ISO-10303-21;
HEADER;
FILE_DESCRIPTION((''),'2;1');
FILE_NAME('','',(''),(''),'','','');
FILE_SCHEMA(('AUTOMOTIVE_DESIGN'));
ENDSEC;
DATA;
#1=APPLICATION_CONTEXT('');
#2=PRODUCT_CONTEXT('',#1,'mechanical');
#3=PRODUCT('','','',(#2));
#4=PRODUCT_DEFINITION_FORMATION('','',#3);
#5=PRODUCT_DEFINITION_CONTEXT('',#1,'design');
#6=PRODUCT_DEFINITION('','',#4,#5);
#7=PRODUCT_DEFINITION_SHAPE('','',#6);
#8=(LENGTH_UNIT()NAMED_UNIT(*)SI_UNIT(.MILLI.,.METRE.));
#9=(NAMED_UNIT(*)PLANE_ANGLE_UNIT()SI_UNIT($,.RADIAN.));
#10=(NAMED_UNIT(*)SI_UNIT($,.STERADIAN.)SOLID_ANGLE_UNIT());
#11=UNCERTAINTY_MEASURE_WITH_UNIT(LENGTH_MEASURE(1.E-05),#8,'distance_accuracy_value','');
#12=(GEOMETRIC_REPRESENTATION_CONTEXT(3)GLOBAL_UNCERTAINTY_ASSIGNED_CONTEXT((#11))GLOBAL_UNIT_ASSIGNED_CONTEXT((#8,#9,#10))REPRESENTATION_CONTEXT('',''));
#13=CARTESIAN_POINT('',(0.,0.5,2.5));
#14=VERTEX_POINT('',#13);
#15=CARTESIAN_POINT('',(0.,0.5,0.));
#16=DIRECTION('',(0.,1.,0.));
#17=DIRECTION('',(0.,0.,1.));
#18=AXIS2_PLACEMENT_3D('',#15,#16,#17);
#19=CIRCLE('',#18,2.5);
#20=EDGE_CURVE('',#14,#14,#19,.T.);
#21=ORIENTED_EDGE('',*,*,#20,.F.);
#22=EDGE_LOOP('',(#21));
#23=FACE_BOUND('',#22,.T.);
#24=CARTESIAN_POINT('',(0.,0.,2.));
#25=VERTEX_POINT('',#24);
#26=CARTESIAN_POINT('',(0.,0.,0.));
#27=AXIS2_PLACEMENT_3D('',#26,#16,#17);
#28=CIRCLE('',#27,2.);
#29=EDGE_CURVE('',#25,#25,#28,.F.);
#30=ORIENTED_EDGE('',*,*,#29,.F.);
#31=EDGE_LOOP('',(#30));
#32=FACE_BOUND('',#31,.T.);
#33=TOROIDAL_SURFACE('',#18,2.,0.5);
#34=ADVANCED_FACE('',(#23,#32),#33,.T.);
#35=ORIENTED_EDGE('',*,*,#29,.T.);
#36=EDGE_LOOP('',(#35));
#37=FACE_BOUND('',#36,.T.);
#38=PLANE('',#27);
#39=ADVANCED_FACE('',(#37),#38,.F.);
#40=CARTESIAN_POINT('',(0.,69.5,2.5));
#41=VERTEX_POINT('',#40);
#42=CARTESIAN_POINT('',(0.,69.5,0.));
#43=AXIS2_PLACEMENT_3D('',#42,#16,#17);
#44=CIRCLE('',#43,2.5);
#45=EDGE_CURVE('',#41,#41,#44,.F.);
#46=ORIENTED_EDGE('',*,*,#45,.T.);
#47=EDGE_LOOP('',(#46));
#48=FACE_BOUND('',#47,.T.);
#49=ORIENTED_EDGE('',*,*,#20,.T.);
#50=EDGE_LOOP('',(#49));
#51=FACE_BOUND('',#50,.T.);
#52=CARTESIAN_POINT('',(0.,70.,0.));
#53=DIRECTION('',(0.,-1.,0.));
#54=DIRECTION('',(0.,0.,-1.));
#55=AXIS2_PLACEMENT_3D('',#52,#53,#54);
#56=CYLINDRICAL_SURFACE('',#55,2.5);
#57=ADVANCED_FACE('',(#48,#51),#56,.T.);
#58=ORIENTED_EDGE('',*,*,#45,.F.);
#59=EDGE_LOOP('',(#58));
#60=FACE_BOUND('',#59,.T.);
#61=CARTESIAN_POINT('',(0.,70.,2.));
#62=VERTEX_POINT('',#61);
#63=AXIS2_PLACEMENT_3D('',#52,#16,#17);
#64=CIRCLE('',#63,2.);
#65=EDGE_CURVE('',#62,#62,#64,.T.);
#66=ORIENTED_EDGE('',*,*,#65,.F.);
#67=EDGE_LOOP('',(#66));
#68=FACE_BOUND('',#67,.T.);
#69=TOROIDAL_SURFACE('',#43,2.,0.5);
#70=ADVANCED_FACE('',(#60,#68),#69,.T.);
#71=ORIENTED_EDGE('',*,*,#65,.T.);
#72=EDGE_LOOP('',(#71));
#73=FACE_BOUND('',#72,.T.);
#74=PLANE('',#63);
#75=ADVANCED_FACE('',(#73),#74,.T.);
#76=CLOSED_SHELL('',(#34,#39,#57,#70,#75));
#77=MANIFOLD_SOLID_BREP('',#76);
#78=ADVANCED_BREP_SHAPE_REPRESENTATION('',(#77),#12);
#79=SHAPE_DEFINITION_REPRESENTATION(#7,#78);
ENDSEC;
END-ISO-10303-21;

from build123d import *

# Parameters (mm, degrees)
SKETCH_2_R      = 2.5
EXTRUDE_1_DEPTH = 70
FILLET_4_R      = 0.5
FILLET_5_R      = 0.5


with BuildPart() as part:
    # 草图2 → 凸台-拉伸1 (new body)
    with BuildSketch(Plane(origin=(0, 0, 0), x_dir=(1, 0, 0), z_dir=(0, 1, 0))):
        with Locations(Location((0, 0, 0), (0, 0, 270))):
            Circle(SKETCH_2_R)
    extrude(amount=EXTRUDE_1_DEPTH)

    # 圆角4
    fillet_4_edges = [part.edges().sort_by_distance(p)[0] for p in [
        (0, 0, -2.5),
    ]]
    fillet(fillet_4_edges, radius=FILLET_4_R)

    # 圆角5
    fillet_5_edges = [part.edges().sort_by_distance(p)[0] for p in [
        (0, 70, -2.5),
    ]]
    fillet(fillet_5_edges, radius=FILLET_5_R)


solid = part.part
